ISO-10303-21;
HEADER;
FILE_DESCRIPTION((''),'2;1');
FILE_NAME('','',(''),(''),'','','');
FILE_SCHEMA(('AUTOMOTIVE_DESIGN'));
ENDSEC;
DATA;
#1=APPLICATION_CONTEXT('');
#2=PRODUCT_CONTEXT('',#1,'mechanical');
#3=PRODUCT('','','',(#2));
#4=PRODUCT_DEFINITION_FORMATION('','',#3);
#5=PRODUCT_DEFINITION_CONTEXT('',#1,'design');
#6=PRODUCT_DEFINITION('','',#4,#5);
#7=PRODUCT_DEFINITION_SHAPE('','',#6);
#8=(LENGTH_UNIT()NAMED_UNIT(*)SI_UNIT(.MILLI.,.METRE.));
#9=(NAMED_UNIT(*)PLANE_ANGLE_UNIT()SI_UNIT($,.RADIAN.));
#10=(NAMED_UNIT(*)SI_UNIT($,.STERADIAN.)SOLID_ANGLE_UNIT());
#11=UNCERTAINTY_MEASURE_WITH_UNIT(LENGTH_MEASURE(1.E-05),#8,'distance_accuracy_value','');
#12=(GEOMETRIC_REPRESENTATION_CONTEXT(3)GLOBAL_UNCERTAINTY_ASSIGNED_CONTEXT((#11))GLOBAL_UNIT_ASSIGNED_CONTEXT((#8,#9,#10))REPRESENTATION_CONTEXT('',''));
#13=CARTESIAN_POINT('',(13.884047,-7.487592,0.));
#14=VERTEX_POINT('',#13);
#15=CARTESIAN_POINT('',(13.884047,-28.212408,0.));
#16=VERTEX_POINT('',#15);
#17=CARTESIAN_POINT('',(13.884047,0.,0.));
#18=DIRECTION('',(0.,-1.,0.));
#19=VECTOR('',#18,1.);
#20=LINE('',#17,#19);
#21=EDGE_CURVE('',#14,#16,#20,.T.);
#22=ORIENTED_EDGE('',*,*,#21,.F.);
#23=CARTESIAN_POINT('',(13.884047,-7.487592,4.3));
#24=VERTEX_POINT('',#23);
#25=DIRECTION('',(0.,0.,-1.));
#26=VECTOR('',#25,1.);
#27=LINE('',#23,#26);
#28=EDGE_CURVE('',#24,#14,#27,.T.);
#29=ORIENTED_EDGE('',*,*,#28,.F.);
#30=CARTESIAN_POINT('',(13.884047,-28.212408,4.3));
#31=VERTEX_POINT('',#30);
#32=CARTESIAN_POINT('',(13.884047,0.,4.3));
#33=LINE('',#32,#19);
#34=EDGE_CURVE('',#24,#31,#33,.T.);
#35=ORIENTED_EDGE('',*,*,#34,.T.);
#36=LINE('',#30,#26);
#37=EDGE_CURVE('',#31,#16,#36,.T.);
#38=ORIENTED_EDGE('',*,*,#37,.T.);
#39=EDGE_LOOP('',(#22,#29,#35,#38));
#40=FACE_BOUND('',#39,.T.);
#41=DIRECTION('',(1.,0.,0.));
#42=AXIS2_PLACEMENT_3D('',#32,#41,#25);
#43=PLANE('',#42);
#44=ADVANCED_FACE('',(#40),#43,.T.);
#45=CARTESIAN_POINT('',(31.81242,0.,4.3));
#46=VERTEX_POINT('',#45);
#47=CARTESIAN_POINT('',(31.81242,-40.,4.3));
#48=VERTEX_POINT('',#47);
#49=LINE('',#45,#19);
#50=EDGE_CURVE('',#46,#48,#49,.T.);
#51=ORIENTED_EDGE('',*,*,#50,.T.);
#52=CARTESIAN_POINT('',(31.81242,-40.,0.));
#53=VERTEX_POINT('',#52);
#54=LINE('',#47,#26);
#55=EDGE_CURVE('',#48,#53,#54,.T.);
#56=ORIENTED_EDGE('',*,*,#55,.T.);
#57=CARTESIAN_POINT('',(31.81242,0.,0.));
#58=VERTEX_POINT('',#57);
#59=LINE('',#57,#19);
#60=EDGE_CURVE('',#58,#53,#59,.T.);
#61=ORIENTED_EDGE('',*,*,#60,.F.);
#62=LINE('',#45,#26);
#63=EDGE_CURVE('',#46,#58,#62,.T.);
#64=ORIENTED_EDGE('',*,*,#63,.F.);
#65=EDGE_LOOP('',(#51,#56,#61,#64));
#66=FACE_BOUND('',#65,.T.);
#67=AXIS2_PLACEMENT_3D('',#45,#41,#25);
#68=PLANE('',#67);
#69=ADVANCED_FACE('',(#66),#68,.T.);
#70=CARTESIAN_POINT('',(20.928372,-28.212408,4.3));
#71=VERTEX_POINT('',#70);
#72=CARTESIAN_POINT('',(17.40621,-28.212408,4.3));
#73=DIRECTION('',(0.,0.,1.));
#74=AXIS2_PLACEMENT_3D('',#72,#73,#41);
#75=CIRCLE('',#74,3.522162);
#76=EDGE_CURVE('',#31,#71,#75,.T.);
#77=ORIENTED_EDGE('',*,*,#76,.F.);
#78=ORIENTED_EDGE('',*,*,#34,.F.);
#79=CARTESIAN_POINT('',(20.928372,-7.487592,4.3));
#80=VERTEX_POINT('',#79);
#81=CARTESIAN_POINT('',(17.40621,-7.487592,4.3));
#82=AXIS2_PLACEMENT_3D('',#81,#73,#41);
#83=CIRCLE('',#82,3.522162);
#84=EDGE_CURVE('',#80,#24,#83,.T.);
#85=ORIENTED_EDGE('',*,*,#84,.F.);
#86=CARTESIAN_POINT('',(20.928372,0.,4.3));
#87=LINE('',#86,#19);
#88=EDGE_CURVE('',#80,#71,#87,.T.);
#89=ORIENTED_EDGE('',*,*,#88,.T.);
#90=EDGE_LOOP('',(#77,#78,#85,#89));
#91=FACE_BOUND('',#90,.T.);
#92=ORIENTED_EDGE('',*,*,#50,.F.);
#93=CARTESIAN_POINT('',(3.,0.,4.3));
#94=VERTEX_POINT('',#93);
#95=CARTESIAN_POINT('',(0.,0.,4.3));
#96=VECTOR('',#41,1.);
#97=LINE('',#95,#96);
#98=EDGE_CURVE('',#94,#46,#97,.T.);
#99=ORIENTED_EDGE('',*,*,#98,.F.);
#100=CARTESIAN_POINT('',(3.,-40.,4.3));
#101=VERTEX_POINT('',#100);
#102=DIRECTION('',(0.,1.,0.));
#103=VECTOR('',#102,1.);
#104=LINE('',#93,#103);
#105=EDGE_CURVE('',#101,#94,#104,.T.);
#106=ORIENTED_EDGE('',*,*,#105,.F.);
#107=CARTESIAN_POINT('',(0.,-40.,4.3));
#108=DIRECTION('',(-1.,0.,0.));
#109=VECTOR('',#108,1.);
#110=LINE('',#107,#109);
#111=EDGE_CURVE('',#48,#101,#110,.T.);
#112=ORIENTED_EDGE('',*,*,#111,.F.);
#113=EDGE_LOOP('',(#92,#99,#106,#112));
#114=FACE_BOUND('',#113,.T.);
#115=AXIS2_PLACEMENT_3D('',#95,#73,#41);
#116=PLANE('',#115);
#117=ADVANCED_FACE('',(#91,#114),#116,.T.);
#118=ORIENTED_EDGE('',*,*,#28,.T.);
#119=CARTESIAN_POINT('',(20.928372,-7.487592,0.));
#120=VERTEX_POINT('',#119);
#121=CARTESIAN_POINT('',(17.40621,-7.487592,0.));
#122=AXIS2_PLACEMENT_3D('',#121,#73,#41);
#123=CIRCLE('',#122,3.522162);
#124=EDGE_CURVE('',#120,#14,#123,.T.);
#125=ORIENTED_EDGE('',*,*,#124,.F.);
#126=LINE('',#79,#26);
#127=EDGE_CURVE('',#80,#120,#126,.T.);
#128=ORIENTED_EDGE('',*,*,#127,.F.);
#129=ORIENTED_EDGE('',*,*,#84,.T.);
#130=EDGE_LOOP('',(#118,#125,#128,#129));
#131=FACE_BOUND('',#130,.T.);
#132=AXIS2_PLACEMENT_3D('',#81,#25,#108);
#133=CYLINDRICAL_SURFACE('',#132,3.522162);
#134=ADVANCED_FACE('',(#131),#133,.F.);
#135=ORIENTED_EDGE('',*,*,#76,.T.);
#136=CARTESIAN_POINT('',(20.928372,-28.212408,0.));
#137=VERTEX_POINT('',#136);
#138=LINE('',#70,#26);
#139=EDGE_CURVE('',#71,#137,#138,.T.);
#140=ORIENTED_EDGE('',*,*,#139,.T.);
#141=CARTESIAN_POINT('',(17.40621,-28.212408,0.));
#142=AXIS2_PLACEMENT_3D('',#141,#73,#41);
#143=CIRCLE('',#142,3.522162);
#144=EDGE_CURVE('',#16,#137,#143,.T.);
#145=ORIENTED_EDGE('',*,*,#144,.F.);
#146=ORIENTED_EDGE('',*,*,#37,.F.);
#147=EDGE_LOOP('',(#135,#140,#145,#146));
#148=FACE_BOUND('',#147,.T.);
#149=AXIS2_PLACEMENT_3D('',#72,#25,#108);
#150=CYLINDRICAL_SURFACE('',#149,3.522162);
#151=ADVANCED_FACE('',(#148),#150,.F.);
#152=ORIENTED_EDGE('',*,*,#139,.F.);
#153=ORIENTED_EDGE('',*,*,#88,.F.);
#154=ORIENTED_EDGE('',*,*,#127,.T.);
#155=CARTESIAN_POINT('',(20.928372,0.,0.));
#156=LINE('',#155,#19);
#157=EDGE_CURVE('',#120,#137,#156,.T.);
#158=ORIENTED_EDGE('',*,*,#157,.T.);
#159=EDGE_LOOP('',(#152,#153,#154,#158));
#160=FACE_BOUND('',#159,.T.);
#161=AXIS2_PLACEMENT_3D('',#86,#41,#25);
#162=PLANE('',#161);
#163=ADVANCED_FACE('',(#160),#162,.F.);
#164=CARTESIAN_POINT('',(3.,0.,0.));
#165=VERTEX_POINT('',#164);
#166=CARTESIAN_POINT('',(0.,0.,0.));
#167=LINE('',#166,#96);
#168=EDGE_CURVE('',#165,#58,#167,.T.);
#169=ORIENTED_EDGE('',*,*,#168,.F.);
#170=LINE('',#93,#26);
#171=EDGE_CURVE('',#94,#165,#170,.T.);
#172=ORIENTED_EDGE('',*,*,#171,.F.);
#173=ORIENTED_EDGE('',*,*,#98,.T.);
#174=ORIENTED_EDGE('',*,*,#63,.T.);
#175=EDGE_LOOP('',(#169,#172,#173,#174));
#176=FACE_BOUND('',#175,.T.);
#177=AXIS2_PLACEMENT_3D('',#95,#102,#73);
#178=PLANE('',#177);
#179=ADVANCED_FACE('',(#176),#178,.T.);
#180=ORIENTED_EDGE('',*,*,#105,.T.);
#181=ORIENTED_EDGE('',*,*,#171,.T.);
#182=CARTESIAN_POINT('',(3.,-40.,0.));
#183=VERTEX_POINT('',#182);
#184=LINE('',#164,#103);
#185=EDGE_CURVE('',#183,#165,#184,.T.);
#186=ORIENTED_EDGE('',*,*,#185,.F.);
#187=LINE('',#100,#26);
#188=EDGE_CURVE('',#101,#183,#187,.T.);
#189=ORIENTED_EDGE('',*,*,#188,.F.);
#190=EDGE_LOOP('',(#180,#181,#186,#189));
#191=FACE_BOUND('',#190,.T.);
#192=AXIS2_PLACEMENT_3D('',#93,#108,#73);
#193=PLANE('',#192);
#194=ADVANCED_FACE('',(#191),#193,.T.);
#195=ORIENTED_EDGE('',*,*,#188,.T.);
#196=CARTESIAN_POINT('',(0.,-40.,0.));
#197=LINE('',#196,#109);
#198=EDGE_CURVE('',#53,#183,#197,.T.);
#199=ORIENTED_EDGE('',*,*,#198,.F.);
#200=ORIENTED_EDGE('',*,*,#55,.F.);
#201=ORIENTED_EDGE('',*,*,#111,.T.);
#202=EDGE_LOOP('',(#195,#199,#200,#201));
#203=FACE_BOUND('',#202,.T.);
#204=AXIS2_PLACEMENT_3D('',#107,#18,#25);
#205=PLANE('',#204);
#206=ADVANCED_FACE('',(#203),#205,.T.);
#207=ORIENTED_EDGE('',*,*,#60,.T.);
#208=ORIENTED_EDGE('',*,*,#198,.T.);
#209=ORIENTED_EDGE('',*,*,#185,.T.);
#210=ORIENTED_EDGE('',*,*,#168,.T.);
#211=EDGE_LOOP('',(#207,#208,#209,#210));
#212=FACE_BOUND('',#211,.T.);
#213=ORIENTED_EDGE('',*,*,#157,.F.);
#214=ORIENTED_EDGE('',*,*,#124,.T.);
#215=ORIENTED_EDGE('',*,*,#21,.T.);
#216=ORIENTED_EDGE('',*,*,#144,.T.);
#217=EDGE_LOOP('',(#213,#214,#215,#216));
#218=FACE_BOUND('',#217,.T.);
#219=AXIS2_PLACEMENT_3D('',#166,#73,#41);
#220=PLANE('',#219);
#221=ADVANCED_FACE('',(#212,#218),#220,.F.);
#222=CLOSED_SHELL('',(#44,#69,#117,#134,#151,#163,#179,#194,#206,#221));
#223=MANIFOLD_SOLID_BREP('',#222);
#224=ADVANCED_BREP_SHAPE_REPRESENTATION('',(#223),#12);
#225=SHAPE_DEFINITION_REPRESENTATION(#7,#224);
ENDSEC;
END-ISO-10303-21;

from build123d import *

# Parameters (mm, degrees)
EXTRUDE_1_DEPTH = 4.3


with BuildPart() as part:
    # 草图1 → 凸台-拉伸1 (new body)
    with BuildSketch(Plane.XY):
        Polygon((31.812419505, -35.7), (31.812419505, -40), (3, -40), (3, -35.7), (3, 0), (31.812419505, 0), align=None)
        with BuildLine():
            Line((20.928372126, -7.487592169), (20.928372126, -28.212407831))
            ThreePointArc((20.928372126, -28.212407831), (17.406209752, -31.734570205), (13.884047379, -28.212407831))
            Line((13.884047379, -28.212407831), (13.884047379, -7.487592169))
            ThreePointArc((13.884047379, -7.487592169), (17.406209752, -3.965429795), (20.928372126, -7.487592169))
        make_face(mode=Mode.SUBTRACT)
    extrude(amount=EXTRUDE_1_DEPTH)


solid = part.part
